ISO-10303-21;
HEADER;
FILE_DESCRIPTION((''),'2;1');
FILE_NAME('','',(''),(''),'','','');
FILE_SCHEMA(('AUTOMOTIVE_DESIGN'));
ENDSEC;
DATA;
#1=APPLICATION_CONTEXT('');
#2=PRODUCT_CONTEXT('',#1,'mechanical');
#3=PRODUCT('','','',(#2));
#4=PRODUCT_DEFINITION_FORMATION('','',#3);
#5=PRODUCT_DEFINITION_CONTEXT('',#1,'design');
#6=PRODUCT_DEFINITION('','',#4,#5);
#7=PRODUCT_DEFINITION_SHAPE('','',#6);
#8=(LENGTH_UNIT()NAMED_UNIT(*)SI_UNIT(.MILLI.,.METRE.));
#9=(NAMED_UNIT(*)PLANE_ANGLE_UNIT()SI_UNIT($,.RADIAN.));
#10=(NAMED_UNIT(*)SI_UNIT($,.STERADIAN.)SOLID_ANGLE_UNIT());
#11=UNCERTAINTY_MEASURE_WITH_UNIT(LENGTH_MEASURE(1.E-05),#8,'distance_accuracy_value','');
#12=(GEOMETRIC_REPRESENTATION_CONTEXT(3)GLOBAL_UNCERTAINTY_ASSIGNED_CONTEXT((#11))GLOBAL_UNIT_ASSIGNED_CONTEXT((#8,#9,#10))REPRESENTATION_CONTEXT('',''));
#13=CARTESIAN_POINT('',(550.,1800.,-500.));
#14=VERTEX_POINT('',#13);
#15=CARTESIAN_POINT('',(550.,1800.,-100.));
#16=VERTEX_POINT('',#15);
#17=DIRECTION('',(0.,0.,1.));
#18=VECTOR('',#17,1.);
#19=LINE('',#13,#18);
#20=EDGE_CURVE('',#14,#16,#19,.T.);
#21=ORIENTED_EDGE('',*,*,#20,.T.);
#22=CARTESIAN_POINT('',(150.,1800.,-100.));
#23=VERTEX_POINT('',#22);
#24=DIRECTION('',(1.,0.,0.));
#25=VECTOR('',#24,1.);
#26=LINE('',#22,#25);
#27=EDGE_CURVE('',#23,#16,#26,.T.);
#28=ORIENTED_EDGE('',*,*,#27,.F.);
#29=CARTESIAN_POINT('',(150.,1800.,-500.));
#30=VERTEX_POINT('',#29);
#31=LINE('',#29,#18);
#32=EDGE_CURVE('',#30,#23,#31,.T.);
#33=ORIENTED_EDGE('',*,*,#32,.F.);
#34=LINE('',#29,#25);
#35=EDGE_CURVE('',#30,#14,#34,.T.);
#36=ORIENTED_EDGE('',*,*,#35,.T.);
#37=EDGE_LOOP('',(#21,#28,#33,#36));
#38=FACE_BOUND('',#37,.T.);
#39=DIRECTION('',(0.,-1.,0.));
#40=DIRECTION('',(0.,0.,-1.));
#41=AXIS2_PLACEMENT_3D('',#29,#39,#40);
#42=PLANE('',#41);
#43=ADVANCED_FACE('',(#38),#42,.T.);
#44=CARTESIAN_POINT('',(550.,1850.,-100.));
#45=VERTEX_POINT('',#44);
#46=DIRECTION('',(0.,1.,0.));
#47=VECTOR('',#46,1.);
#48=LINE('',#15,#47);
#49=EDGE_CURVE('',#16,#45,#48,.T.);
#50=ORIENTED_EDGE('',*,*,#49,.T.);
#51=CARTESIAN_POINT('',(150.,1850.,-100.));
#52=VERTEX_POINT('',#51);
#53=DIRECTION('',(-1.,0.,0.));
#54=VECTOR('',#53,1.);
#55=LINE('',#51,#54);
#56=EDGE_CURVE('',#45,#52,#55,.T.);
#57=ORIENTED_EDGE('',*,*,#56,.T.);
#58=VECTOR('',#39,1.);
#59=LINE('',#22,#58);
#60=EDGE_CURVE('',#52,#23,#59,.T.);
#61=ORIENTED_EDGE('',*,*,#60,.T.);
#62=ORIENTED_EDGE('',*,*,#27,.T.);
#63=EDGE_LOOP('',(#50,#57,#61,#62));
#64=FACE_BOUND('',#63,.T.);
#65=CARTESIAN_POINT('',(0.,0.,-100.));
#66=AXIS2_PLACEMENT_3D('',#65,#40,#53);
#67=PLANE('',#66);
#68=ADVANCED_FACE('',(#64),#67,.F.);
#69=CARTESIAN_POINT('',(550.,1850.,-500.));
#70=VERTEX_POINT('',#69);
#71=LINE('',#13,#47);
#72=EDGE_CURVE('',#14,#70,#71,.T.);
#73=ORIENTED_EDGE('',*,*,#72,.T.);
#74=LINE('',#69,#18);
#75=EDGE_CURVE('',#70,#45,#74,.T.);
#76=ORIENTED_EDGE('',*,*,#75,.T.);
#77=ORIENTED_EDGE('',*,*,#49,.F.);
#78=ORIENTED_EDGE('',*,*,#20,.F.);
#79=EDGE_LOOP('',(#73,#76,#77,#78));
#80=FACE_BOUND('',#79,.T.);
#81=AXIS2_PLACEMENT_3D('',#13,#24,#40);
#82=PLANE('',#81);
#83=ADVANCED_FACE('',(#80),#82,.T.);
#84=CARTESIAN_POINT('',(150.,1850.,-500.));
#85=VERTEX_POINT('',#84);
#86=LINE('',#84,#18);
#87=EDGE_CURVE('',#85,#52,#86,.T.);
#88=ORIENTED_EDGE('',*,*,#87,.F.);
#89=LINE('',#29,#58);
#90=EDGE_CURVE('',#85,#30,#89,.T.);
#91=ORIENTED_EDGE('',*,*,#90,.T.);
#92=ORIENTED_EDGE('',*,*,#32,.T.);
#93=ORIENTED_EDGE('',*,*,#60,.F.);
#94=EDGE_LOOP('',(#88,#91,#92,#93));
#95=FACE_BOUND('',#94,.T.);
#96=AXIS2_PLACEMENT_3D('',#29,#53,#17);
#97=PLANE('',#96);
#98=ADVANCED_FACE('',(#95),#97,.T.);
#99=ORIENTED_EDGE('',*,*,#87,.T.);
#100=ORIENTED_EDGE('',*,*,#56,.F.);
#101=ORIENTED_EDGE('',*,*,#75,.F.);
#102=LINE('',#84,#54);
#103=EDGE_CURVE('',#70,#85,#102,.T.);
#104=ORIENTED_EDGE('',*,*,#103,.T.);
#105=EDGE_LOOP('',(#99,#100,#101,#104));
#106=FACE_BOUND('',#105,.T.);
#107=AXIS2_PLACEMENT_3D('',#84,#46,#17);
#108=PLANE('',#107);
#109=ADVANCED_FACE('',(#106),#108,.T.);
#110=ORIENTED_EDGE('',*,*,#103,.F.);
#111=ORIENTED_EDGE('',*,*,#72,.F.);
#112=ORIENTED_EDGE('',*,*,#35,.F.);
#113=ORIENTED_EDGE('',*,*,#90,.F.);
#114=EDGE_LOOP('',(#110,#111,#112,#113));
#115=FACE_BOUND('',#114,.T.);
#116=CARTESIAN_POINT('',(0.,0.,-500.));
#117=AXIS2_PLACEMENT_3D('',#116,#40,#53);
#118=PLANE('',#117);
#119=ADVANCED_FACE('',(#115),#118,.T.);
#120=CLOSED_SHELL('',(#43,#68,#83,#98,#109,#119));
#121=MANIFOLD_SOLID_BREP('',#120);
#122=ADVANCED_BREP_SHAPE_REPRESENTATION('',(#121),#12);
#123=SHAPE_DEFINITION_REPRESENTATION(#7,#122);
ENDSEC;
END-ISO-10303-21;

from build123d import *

# Parameters (mm, degrees)
OVEN_KARBON_FILTRE_40X40X5_OPSIYON_1_START = -100
SKETCH1_W                                  = 400
SKETCH1_H                                  = 50
OVEN_KARBON_FILTRE_40X40X5_OPSIYON_1_DEPTH = 400


with BuildPart() as part:
    # Sketch1 → OVEN_karbon_filtre_40x40x5_opsiyon_1 (new body)
    with BuildSketch(Plane.XY.offset(OVEN_KARBON_FILTRE_40X40X5_OPSIYON_1_START)):
        with Locations((350, 1825)):
            Rectangle(SKETCH1_W, SKETCH1_H)
    extrude(amount=-OVEN_KARBON_FILTRE_40X40X5_OPSIYON_1_DEPTH)


solid = part.part
